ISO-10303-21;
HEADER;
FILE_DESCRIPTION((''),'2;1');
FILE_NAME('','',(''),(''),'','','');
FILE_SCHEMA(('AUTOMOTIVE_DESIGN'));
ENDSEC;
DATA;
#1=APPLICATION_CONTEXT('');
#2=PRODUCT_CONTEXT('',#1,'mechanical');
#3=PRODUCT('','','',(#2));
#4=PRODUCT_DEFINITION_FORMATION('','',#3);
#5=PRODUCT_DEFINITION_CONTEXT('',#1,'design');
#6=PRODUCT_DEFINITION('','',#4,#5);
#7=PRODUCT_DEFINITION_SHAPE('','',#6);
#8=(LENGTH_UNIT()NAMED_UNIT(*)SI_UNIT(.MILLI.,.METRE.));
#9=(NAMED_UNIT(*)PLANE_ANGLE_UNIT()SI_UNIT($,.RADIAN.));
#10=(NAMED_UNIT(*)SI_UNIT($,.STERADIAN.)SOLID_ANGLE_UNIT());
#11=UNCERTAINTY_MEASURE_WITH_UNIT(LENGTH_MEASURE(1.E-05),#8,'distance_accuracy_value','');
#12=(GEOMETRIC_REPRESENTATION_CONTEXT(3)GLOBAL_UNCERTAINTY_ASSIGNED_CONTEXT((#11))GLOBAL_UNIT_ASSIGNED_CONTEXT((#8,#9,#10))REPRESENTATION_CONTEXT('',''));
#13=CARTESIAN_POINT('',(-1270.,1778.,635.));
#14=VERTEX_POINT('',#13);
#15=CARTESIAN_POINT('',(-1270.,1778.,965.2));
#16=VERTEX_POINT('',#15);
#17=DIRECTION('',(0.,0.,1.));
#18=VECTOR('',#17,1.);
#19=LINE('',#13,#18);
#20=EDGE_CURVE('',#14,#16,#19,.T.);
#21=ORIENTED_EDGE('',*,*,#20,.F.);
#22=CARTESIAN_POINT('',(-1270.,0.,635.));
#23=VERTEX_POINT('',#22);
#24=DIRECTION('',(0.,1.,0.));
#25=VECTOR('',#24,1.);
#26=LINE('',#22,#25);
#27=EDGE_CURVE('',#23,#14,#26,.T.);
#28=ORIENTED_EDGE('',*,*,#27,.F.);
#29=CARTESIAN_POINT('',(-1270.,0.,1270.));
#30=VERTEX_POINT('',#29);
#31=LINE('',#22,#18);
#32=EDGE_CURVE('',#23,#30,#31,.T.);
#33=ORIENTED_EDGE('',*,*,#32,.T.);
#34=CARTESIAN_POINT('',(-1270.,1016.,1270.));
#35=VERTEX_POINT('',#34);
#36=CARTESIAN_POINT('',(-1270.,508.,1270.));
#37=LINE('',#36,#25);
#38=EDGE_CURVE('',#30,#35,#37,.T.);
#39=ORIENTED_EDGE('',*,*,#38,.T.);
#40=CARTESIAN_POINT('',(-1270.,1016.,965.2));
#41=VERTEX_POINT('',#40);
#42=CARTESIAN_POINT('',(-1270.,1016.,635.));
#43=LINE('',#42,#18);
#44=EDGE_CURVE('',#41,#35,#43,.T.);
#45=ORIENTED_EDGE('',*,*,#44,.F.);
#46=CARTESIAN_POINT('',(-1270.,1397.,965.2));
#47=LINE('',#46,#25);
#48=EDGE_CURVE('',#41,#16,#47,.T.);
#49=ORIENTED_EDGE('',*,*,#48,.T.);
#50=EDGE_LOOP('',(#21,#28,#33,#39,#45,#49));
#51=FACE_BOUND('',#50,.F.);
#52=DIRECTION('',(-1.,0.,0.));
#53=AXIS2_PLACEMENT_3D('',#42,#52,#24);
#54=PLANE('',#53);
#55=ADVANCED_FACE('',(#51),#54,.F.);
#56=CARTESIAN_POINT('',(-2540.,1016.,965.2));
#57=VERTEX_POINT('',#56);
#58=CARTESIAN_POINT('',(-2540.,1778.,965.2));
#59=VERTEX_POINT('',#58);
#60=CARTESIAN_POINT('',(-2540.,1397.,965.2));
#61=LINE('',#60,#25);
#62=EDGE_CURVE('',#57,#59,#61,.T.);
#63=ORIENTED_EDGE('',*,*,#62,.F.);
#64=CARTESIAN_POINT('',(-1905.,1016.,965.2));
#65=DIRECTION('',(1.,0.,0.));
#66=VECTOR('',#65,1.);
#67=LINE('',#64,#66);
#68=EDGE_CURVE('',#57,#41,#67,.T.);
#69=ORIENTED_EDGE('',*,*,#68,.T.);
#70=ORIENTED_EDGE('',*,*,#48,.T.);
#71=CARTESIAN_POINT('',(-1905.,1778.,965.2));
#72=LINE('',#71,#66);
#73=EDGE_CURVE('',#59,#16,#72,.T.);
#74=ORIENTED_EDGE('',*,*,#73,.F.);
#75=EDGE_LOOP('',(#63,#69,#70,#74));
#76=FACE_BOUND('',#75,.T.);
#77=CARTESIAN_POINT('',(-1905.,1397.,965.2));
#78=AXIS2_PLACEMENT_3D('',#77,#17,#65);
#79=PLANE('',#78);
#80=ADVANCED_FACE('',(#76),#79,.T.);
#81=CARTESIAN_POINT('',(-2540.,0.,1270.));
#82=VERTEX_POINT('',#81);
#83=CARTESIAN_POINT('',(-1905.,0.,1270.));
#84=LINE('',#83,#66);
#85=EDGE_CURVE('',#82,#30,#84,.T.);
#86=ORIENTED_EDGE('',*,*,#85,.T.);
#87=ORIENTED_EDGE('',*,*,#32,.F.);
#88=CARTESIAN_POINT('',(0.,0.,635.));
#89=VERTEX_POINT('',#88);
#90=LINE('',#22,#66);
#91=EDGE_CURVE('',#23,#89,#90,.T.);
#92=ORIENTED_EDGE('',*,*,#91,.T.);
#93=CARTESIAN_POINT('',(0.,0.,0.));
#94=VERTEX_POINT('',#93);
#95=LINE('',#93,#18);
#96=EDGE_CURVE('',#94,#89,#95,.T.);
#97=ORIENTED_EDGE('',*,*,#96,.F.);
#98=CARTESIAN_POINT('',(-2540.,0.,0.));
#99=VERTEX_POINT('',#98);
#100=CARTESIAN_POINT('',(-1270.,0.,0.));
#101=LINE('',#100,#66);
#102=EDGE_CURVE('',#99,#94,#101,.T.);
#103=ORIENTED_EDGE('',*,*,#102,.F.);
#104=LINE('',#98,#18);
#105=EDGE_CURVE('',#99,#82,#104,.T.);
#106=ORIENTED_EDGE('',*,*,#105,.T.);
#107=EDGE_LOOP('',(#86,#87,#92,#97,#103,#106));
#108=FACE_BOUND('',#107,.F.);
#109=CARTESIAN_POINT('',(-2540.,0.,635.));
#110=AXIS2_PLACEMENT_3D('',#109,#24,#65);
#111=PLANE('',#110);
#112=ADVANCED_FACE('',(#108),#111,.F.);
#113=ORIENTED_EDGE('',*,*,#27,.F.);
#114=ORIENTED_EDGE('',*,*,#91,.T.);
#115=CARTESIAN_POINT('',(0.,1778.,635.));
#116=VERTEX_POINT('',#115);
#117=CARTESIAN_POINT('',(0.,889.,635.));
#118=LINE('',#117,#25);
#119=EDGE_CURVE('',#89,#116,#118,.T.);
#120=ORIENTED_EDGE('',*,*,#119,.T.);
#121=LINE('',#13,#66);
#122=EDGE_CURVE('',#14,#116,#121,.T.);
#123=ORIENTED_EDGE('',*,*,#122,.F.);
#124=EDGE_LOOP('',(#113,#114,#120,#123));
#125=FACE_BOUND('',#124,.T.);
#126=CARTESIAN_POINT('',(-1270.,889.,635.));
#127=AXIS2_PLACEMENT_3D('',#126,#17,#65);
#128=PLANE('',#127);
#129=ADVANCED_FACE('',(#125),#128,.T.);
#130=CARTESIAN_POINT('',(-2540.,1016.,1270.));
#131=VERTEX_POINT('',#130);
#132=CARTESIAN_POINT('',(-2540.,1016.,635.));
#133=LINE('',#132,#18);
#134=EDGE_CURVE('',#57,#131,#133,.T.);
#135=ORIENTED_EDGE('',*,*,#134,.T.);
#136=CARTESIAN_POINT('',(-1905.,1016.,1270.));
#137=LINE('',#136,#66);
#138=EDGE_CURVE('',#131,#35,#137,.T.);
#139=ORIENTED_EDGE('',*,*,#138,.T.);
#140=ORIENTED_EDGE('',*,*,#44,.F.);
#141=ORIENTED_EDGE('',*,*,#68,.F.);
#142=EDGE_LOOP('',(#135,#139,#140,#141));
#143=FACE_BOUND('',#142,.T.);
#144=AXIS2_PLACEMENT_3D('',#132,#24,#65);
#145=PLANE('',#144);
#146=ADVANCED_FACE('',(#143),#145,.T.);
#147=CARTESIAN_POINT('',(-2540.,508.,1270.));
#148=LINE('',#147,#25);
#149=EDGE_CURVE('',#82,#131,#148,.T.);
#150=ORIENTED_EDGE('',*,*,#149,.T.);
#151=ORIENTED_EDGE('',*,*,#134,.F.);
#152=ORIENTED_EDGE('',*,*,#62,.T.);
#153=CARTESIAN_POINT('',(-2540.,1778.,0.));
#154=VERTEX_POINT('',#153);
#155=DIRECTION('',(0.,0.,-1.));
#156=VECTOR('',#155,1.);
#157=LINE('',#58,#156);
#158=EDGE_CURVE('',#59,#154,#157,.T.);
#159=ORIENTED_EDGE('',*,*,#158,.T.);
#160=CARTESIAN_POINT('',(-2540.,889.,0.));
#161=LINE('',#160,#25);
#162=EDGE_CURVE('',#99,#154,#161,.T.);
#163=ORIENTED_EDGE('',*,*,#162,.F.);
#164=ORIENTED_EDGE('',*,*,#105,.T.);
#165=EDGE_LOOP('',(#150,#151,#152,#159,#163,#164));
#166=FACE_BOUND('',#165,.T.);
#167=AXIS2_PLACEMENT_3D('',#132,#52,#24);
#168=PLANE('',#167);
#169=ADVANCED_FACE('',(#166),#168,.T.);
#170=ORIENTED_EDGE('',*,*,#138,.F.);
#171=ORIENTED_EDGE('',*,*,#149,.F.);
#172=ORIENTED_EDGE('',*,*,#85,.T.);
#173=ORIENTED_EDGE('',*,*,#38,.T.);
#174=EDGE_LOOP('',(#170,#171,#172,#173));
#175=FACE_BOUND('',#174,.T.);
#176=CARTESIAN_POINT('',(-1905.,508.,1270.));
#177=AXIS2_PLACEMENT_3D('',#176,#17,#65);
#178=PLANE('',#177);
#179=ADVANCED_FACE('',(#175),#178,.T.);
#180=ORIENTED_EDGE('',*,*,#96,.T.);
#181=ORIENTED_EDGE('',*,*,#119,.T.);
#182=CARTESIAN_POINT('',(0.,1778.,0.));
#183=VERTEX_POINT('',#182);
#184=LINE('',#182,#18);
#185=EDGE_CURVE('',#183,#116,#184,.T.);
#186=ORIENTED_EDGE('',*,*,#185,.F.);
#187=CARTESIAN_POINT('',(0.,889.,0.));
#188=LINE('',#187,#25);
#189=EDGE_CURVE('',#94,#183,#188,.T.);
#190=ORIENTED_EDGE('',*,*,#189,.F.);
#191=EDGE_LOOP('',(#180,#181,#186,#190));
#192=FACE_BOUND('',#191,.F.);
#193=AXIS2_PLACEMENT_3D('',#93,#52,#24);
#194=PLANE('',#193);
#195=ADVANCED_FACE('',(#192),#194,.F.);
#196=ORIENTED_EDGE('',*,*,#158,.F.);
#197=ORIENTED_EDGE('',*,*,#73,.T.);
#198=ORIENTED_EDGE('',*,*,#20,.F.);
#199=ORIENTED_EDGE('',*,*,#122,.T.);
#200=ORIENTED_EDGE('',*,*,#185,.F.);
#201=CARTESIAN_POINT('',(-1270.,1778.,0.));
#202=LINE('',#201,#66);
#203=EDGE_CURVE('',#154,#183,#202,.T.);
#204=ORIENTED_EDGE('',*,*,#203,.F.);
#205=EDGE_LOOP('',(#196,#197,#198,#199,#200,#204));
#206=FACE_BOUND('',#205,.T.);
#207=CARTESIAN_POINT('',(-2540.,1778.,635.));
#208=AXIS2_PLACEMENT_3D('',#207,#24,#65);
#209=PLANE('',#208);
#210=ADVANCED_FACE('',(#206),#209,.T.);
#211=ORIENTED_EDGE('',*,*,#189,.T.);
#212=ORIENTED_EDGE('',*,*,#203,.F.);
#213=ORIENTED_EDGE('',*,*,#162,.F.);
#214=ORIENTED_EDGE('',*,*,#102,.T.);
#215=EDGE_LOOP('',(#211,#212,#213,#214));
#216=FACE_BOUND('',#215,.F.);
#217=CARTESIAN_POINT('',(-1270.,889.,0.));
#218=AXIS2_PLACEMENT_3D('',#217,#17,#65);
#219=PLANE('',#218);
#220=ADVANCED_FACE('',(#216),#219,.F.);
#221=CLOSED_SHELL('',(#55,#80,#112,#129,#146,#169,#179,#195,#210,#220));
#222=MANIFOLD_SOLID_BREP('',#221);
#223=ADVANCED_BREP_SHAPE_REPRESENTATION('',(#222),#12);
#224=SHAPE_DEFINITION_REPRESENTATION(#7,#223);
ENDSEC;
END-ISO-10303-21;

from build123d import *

# Parameters (mm, degrees)
F0_W     = 2540
F0_H     = 1778
F1_DEPTH = 635
F2_W     = 1270
F2_H     = 1016
F3_DEPTH = 635
F4_W     = 1270
F4_H     = 762
F5_DEPTH = 330.2


with BuildPart() as f1:
    # F0 (on Top) → F1 (new body)
    with BuildSketch(Plane.XY):
        with Locations((-1270, 889)):
            Rectangle(F0_W, F0_H)
    extrude(amount=F1_DEPTH)

    # F2 (on face) → F3 (join)
    with BuildSketch(Plane.XY.offset(635)):
        with Locations((-1905, 508)):
            Rectangle(F2_W, F2_H)
    extrude(amount=F3_DEPTH)

    # F4 (on face) → F5 (join)
    with BuildSketch(Plane.XY.offset(635)):
        with Locations((-1905, 1397)):
            Rectangle(F4_W, F4_H)
    extrude(amount=F5_DEPTH)


solid = f1.part
